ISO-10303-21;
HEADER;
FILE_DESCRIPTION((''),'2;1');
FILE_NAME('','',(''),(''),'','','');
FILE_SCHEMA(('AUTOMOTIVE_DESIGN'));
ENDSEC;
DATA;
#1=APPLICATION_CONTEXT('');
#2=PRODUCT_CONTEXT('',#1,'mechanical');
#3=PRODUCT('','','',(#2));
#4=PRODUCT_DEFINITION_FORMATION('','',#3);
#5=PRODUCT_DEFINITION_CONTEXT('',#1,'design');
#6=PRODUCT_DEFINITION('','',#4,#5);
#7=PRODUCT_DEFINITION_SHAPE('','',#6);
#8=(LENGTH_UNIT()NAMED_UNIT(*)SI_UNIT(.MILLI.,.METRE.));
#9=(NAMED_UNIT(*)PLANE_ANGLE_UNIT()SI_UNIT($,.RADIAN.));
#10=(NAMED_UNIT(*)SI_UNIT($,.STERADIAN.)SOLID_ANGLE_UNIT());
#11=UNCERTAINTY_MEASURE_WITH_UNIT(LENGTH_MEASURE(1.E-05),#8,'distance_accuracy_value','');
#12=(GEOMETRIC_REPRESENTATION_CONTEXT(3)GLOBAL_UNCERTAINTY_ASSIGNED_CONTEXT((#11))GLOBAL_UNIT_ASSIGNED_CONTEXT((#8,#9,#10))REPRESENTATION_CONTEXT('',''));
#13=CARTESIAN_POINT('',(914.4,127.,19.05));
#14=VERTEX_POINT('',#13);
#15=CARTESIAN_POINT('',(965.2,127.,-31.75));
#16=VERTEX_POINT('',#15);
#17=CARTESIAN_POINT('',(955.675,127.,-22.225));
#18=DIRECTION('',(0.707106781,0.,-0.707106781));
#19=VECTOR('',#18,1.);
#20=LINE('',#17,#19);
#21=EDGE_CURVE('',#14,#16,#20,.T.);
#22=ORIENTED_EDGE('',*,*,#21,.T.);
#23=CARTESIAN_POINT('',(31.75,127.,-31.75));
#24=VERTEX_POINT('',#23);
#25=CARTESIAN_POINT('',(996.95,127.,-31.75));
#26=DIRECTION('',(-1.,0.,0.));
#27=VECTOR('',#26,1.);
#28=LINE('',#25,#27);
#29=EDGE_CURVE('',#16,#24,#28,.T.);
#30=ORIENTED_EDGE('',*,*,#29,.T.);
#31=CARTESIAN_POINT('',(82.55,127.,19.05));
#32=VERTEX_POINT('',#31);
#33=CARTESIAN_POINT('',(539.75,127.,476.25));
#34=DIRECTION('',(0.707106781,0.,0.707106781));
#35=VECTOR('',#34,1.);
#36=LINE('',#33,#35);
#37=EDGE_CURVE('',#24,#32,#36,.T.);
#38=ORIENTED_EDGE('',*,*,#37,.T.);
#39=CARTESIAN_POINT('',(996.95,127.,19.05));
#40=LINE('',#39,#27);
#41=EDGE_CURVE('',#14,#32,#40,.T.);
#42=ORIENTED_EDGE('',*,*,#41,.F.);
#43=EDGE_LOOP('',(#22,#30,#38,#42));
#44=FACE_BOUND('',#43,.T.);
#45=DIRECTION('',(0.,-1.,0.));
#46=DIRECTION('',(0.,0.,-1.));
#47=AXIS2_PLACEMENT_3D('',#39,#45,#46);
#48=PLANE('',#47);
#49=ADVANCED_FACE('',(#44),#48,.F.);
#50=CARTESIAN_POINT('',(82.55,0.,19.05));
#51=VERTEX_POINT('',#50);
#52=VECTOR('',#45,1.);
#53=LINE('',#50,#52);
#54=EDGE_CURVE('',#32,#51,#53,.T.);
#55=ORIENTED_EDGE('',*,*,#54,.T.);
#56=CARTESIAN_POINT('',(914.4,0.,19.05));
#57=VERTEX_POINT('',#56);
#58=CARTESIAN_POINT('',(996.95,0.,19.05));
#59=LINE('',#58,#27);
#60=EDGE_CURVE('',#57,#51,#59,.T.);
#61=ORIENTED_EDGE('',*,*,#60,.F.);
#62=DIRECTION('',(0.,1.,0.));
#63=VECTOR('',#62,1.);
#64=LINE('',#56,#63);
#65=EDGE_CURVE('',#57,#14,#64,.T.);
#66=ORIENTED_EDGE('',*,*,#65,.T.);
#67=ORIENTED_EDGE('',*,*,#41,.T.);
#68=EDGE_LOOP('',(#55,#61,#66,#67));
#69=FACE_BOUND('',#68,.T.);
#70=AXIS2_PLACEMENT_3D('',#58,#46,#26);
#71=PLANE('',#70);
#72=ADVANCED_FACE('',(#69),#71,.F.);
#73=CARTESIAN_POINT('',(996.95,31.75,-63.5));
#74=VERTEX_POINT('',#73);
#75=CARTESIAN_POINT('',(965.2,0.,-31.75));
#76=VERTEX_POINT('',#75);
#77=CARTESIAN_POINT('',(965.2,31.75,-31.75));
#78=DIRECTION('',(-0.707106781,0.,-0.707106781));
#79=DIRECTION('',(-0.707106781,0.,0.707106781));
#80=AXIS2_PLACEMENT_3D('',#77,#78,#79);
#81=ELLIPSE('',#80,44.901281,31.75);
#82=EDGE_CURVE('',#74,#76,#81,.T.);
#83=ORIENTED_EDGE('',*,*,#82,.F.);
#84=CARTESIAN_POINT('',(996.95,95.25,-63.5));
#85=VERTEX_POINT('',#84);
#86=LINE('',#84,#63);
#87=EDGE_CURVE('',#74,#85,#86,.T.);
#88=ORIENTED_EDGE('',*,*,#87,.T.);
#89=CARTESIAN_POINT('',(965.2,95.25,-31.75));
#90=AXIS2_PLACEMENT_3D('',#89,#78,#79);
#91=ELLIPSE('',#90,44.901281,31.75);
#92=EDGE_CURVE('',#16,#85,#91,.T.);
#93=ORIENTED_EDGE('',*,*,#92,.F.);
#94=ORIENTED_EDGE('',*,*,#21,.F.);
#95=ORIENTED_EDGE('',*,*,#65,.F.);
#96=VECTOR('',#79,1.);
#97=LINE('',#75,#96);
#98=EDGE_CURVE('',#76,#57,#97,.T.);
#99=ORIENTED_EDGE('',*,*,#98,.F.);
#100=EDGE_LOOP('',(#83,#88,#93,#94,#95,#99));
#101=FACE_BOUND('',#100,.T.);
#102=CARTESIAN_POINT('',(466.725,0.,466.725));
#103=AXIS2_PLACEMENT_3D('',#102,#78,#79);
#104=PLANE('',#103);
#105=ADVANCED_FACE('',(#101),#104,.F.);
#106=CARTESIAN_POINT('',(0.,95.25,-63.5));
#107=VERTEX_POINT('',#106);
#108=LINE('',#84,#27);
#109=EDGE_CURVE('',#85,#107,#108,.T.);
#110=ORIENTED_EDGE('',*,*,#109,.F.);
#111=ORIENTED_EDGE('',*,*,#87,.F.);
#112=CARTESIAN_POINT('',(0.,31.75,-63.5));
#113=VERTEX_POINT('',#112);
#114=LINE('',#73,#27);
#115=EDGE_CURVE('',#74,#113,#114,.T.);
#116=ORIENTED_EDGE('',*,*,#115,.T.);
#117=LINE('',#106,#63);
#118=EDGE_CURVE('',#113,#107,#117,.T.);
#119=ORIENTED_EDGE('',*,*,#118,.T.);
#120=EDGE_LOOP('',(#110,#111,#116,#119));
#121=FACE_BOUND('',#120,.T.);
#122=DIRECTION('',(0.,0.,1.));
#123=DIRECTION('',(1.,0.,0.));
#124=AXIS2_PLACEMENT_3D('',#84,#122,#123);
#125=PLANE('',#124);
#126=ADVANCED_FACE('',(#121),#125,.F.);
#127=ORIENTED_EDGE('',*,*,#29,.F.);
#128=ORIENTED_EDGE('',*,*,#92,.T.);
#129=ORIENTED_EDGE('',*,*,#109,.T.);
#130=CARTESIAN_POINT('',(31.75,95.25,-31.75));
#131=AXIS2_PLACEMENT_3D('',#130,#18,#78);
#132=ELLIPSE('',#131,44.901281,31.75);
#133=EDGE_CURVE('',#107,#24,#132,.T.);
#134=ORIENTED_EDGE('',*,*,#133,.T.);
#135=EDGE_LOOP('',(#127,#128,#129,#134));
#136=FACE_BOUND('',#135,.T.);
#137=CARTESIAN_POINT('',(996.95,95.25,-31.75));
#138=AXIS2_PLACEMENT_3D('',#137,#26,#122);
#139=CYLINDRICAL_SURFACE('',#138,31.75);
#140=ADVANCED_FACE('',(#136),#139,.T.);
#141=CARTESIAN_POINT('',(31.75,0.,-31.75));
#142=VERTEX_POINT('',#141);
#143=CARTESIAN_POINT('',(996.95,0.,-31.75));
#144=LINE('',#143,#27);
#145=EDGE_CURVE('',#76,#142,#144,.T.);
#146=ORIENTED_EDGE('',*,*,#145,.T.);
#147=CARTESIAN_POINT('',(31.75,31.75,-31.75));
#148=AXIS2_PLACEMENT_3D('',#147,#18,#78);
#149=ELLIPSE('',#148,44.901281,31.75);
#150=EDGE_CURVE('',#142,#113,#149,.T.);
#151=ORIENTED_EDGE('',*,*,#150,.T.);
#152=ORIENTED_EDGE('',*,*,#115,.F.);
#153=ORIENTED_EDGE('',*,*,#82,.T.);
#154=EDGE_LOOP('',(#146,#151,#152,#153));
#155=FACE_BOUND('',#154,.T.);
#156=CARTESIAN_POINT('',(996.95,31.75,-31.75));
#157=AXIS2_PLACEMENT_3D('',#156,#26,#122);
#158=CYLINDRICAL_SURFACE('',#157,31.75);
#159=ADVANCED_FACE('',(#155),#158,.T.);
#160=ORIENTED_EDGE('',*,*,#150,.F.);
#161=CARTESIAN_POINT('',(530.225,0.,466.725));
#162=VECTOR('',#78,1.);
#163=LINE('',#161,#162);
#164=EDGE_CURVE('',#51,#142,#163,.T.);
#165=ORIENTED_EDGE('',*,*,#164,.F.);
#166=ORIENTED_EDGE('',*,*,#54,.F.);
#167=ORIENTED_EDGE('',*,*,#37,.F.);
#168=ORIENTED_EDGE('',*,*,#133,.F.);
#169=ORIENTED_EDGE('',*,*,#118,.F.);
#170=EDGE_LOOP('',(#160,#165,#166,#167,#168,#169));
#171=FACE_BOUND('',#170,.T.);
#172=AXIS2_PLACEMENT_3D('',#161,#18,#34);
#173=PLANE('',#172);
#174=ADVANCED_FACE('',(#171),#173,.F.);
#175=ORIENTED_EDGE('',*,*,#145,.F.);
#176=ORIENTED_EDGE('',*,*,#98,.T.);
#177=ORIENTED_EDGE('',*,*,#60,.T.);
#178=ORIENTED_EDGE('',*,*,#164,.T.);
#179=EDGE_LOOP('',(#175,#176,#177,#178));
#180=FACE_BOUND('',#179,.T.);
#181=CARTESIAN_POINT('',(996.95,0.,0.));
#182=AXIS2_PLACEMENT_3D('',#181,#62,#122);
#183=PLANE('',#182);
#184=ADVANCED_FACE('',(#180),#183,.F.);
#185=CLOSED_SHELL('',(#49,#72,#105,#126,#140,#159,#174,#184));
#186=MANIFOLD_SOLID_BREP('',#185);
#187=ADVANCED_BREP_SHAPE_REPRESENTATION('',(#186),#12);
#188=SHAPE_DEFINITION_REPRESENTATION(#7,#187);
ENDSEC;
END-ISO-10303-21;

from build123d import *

# Parameters (mm, degrees)
BOSS_EXTRUDE1_DEPTH = 996.95
SKETCH2_W           = 344.402501539
SKETCH2_H           = 493.213131915
CUT_EXTRUDE1_DEPTH  = 59.371664787


with BuildPart() as part:
    # Sketch1 → Boss-Extrude1 (new body)
    with BuildSketch(Plane(origin=(0, 0, 0), x_dir=(0, 0, -1), z_dir=(1, 0, 0))):
        with BuildLine():
            Line((0, 0), (31.75, 0))
            ThreePointArc((31.75, 0), (54.200640303, 9.299359697), (63.5, 31.75))
            Line((63.5, 31.75), (63.5, 95.25))
            ThreePointArc((63.5, 95.25), (54.200640303, 117.700640303), (31.75, 127))
            Line((31.75, 127), (0, 127))
            Line((0, 127), (-19.05, 127))
            Line((-19.05, 127), (-19.05, 0))
            Line((-19.05, 0), (0, 0))
        make_face()
    extrude(amount=BOSS_EXTRUDE1_DEPTH)

    # Sketch2 → Cut-Extrude1 (cut, through all)
    with BuildSketch(Plane(origin=(466.725, 0, 466.725), x_dir=(0, 1, 0), z_dir=(0.707106781, 0, 0.707106781))):
        with Locations((32.995160032, -679.680893327)):
            Rectangle(SKETCH2_W, SKETCH2_H)
    cut_extrude1 = extrude(amount=CUT_EXTRUDE1_DEPTH, mode=Mode.SUBTRACT)

    # Mirror1: Cut-Extrude1 across plane
    add(cut_extrude1.mirror(Plane(origin=(498.475, 0, 0), x_dir=(0, 0, 1), z_dir=(1, 0, 0))), mode=Mode.SUBTRACT)


solid = part.part
